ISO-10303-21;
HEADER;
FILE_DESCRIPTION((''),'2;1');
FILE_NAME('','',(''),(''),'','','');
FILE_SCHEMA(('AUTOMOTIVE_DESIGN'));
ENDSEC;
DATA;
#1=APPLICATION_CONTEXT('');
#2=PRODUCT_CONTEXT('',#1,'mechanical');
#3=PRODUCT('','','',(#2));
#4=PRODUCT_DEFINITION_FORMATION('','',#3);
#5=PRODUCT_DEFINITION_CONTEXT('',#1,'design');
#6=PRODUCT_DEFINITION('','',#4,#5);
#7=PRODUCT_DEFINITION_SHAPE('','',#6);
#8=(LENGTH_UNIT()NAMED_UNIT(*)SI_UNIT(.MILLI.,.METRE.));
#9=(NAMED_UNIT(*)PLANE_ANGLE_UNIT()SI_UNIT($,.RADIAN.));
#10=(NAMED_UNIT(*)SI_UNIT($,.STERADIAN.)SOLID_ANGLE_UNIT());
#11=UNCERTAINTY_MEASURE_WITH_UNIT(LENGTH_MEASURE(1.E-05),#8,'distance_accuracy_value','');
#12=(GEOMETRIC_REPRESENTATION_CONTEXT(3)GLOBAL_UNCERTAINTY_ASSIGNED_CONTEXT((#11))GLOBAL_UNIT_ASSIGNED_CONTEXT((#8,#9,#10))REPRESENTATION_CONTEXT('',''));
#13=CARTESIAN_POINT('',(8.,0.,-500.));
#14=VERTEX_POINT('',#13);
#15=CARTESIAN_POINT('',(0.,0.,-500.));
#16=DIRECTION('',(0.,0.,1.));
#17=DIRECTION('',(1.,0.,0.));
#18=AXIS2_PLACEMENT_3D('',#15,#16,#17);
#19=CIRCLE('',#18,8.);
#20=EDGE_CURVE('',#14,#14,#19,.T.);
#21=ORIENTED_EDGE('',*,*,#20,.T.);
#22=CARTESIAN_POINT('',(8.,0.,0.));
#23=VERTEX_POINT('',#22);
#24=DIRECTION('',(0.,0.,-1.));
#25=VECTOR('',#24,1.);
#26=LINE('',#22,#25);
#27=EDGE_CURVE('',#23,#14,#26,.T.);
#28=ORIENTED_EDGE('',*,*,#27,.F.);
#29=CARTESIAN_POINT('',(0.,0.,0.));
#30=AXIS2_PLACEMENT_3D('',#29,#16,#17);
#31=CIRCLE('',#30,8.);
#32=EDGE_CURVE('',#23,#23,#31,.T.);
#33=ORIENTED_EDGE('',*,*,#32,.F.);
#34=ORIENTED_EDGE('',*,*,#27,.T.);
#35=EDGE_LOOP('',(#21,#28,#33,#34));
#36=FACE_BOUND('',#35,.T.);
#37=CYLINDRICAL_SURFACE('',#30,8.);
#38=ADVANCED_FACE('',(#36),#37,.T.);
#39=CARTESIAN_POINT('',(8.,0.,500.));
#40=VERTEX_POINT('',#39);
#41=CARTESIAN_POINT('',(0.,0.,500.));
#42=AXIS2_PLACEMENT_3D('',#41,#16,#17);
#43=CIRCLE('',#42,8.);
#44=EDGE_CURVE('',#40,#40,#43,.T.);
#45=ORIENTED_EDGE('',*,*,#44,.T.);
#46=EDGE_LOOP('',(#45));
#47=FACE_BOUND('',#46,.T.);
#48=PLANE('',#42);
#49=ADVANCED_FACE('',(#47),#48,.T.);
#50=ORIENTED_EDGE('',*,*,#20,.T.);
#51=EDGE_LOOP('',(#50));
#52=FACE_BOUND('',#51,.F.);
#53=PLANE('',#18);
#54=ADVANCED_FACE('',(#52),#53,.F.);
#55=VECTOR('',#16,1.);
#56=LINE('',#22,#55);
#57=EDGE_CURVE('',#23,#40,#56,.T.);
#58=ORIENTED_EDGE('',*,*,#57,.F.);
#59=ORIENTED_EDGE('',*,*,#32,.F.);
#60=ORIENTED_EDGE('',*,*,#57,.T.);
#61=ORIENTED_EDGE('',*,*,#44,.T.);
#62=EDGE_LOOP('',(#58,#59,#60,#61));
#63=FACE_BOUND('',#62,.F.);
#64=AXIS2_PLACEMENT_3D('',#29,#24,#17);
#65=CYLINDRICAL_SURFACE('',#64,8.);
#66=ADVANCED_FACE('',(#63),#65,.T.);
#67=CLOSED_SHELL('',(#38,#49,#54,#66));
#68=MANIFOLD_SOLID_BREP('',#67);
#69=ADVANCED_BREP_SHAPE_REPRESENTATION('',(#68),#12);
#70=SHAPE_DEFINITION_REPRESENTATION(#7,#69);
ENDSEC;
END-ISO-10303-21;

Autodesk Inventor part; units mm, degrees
ref_plane "YZ Plane" through (0, 0, 0) normal (1, 0, 0) x (0, 1, 0)
ref_plane "XZ Plane" through (0, 0, 0) normal (0, 1, 0) x (-1, 0, 0)
ref_plane "XY Plane" through (0, 0, 0) normal (0, 0, 1) x (1, 0, 0)
sketch "Sketch1" plane through (0, 0, 0) normal (0, 0, 1) x (1, 0, 0)
  circle A0 centre (0, 0) radius 8
  dimension "d0" = 16
extrude "Extrusion1" add sketch "Sketch1" along normal mid plane 1000
properties part number "M16-lead-screw" material "Stainless Steel"
